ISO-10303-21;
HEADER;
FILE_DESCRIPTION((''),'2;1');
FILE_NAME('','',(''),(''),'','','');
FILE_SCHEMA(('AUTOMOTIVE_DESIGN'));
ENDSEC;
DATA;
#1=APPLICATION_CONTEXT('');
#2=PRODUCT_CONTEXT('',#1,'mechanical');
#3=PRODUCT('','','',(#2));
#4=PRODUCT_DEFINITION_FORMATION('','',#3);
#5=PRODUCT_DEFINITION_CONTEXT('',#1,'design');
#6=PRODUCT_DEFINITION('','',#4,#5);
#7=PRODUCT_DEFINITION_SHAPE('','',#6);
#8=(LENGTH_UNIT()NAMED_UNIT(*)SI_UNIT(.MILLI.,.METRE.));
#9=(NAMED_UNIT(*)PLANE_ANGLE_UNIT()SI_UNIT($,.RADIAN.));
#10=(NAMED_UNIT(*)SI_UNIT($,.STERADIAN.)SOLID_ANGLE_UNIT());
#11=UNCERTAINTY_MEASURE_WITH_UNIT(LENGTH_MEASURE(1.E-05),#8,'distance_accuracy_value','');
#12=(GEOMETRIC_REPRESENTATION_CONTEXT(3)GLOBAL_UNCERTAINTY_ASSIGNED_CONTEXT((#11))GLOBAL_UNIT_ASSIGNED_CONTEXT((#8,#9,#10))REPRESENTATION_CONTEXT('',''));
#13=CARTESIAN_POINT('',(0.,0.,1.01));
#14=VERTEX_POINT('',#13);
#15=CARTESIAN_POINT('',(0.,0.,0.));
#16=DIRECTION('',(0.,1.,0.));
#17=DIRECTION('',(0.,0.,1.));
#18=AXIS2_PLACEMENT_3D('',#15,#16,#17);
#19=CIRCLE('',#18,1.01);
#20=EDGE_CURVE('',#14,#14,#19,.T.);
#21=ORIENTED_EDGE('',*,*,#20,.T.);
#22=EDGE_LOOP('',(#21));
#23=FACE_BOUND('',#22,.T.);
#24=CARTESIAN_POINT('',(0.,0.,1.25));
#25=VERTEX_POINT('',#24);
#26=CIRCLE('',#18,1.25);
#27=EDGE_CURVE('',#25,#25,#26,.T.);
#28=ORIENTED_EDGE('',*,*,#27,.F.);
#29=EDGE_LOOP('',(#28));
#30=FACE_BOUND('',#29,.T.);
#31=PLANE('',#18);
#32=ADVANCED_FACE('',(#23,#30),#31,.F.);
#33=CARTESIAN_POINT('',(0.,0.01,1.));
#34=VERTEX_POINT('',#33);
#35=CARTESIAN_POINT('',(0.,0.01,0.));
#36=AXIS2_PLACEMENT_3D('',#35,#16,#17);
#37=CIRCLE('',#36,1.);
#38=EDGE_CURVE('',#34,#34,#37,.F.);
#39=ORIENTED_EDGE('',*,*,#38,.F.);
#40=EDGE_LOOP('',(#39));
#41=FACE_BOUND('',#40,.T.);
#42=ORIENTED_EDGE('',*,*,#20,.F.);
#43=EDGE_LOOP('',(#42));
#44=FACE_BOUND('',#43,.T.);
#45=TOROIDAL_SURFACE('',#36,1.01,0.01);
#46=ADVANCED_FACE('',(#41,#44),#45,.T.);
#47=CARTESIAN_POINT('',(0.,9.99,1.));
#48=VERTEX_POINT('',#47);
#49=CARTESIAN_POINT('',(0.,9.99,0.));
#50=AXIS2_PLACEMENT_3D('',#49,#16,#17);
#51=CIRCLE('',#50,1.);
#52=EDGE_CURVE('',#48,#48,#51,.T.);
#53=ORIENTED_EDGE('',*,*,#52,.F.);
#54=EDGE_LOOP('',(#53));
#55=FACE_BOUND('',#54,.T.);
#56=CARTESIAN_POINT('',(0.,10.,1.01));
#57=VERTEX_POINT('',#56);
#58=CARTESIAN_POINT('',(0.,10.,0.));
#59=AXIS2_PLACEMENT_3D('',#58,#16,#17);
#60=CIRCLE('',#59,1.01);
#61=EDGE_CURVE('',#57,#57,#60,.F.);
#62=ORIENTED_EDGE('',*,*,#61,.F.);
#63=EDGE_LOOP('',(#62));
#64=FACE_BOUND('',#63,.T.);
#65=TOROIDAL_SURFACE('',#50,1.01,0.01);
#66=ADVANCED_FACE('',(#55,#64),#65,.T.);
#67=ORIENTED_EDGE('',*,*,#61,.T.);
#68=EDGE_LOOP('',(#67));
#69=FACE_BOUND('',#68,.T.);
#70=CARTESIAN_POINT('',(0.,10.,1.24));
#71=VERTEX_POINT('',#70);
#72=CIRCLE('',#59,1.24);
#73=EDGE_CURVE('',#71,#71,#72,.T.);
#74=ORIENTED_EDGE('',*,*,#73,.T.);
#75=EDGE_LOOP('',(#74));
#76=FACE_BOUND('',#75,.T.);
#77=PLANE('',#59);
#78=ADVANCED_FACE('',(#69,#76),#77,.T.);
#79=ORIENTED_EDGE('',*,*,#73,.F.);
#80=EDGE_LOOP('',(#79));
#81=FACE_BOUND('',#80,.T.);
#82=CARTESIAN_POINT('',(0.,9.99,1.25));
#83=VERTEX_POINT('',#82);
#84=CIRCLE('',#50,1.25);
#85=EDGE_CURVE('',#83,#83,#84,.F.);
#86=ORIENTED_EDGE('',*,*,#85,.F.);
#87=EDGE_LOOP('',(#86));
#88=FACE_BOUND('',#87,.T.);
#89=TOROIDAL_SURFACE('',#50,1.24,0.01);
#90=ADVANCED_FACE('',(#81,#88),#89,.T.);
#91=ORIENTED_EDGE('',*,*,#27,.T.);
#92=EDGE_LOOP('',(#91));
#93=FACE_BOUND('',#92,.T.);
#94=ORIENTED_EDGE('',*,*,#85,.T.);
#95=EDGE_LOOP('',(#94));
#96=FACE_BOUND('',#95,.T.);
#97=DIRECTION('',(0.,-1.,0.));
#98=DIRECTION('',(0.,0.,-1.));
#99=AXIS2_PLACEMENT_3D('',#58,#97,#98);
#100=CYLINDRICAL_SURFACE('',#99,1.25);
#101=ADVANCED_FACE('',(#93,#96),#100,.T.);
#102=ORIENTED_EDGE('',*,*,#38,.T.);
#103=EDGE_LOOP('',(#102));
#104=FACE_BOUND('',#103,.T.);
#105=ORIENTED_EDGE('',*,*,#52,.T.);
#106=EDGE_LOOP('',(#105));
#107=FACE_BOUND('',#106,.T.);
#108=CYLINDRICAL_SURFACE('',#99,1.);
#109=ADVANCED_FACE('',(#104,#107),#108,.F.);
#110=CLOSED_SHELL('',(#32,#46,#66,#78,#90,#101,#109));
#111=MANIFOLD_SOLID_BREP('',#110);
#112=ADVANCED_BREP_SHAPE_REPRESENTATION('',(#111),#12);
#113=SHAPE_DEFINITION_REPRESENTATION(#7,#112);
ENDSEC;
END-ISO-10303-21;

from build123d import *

# Parameters (mm, degrees)
SKETCH1_R           = 1.25
SKETCH1_R_2         = 1
BOSS_EXTRUDE1_DEPTH = 10
FILLET1_R           = 0.01


with BuildPart() as part:
    # Sketch1 → Boss-Extrude1 (new body)
    with BuildSketch(Plane(origin=(0, 0, 0), x_dir=(1, 0, 0), z_dir=(0, 1, 0))):
        Circle(SKETCH1_R)
        Circle(SKETCH1_R_2, mode=Mode.SUBTRACT)
    extrude(amount=BOSS_EXTRUDE1_DEPTH)

    # Fillet1
    fillet1_edges = [part.edges().sort_by_distance(p)[0] for p in [
        (-1.25, 10, 0),
        (-1, 0, 0),
        (-1, 10, 0),
    ]]
    fillet(fillet1_edges, radius=FILLET1_R)


solid = part.part
